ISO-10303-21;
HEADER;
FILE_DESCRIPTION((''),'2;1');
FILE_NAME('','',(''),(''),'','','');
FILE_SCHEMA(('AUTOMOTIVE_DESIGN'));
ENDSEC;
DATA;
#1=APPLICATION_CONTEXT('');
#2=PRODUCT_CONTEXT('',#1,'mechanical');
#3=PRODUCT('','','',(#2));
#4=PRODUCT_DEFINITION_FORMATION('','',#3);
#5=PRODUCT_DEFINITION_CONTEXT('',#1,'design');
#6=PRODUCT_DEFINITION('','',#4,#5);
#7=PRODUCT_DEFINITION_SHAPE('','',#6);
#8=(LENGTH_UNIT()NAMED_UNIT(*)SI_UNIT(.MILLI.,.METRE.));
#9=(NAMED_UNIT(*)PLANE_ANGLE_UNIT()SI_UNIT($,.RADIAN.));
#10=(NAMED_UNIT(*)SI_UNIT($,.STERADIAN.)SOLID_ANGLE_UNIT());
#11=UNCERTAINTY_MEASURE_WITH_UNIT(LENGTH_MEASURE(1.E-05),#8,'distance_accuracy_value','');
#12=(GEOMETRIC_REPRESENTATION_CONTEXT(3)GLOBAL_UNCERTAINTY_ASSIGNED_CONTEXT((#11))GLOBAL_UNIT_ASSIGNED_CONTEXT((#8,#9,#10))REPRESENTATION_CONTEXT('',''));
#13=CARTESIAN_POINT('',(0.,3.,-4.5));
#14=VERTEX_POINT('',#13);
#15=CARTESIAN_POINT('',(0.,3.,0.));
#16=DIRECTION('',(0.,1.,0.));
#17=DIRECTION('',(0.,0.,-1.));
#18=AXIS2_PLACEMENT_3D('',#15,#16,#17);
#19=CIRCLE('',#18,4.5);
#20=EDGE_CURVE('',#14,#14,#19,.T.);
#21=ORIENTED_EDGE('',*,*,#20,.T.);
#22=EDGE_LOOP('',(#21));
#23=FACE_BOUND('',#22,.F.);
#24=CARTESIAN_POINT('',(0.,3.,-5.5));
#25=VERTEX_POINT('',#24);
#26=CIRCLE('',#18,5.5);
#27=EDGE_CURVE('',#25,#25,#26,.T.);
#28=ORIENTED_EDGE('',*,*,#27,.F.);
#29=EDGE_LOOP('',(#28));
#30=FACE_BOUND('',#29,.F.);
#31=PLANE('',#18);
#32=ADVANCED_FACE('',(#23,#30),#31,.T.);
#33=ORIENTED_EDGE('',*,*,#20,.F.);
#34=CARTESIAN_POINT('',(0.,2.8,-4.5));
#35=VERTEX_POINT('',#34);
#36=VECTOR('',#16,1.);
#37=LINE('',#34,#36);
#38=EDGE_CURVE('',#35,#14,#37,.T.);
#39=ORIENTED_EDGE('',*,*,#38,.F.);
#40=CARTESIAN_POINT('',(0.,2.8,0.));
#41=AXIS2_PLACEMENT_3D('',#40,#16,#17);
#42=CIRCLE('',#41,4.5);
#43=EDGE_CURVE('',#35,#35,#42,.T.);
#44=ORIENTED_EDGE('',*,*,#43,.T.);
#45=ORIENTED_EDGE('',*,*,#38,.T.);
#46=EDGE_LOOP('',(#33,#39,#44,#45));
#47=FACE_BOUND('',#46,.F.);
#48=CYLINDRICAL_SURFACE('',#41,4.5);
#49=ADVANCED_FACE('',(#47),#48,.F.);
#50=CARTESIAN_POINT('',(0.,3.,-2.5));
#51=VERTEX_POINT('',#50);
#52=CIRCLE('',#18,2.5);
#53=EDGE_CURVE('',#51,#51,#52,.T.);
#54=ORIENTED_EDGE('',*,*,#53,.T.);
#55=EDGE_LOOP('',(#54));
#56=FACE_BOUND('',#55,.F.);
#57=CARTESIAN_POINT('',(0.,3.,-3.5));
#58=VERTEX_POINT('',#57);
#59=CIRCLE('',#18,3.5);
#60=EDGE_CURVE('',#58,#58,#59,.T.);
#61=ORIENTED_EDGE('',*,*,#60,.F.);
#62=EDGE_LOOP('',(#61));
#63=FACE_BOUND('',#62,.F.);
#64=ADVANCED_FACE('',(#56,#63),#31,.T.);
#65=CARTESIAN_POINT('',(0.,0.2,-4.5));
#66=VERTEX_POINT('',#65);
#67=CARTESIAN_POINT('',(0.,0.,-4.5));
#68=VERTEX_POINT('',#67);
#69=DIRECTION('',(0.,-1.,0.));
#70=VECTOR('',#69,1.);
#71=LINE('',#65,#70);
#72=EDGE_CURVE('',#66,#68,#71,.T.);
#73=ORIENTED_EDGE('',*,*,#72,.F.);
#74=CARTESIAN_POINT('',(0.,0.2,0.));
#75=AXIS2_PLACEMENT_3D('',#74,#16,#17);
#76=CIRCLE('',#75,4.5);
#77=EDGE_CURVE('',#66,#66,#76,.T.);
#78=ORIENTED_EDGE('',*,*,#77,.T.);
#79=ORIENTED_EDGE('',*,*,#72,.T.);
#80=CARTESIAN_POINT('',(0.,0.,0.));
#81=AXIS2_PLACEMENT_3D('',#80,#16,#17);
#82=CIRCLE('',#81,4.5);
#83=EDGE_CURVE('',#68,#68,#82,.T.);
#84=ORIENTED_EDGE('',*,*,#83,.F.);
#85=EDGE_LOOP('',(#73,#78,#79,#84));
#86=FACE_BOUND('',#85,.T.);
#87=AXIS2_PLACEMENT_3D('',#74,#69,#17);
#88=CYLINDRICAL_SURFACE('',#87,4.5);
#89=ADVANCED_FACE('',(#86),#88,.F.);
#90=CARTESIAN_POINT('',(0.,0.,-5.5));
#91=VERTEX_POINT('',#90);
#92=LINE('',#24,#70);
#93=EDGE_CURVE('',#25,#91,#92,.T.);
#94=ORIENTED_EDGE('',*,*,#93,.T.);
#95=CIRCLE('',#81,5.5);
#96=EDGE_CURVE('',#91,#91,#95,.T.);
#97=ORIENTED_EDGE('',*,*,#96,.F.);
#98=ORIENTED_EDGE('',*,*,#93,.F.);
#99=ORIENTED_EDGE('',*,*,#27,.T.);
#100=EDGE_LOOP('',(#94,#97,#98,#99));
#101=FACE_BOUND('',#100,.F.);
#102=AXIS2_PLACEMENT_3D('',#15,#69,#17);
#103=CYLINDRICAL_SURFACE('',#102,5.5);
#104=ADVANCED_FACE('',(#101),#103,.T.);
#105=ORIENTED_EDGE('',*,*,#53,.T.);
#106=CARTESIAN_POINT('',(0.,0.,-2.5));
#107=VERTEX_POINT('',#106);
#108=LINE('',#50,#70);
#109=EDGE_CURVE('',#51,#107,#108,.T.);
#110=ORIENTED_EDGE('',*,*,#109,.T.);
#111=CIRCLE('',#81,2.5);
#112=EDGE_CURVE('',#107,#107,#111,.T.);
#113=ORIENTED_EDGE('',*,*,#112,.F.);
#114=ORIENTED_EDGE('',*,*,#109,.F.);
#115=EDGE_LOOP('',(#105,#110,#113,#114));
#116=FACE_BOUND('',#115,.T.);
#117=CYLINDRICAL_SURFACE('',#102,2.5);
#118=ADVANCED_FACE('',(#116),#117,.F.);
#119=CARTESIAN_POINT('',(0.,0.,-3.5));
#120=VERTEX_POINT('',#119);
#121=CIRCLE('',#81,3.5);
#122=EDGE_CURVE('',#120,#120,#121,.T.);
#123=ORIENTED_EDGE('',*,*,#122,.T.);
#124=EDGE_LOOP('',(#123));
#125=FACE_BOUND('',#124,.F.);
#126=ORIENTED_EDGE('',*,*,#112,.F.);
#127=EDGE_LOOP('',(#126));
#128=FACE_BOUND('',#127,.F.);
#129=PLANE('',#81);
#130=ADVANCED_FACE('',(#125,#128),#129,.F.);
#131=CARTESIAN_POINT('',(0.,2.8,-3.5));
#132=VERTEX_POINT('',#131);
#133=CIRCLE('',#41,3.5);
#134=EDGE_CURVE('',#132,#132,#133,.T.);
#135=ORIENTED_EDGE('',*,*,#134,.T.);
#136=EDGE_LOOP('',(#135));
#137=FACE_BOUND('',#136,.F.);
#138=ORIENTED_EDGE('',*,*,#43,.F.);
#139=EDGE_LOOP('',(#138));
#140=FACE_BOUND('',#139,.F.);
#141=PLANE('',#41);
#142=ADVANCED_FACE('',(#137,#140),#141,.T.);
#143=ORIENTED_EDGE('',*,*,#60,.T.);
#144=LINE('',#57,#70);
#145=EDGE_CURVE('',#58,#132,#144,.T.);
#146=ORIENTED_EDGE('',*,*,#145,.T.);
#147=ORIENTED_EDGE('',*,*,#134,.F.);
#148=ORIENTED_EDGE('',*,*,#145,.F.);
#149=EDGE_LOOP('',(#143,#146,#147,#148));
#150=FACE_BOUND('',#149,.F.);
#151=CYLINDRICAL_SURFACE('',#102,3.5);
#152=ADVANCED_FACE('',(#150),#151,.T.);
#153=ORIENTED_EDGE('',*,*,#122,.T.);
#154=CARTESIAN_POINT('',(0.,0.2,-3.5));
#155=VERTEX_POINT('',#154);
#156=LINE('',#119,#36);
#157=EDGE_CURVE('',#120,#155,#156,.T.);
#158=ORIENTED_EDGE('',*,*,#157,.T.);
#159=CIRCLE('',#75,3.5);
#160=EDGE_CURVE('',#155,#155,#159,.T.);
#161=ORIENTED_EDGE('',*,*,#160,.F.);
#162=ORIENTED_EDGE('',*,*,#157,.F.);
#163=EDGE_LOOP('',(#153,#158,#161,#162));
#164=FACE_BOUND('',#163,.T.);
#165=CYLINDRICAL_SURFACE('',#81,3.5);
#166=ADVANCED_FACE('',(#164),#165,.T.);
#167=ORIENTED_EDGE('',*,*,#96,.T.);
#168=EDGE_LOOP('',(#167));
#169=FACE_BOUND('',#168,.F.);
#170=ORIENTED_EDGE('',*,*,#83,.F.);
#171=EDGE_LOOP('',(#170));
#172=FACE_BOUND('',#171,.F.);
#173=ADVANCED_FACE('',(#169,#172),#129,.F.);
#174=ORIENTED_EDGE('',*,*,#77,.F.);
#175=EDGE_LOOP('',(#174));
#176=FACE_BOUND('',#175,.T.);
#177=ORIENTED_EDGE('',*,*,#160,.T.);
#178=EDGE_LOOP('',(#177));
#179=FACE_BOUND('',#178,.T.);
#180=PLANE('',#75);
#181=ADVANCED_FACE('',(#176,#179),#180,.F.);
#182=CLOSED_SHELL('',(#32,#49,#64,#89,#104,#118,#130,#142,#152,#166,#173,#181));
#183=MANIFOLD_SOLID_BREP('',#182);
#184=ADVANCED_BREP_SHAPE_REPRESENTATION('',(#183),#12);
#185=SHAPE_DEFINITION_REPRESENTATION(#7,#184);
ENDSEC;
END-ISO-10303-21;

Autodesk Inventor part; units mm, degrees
ref_plane "YZ Plane" through (0, 0, 0) normal (1, 0, 0) x (0, 1, 0)
ref_plane "XZ Plane" through (0, 0, 0) normal (0, 1, 0) x (-1, 0, 0)
ref_plane "XY Plane" through (0, 0, 0) normal (0, 0, 1) x (1, 0, 0)
sketch "Sketch1" plane through (0, 0, 0) normal (1, 0, 0) x (0, 1, 0)
  line L0 (0, 0) -> (3, 0) construction
  line L1 (3, 0) -> (3, -2.5) construction
  line L2 (3, -2.5) -> (0, -2.5)
  line L3 (0, -2.5) -> (0, 0) construction
  line L4 (3, -5.5) -> (0, -5.5)
  line L5 (3, -3.5) -> (2.8, -3.5)
  line L6 (2.8, -3.5) -> (2.8, -4.5)
  line L7 (2.8, -4.5) -> (3, -4.5)
  line L8 (0, -3.5) -> (0.2, -3.5)
  line L9 (0.2, -3.5) -> (0.2, -4.5)
  line L10 (0.2, -4.5) -> (0, -4.5)
  line L11 (3, -2.5) -> (3, -3.5)
  line L12 (3, -4.5) -> (3, -5.5)
  line L13 (0, -5.5) -> (0, -4.5)
  line L14 (0, -3.5) -> (0, -2.5)
  dimension "d0" = 2.5
  dimension "d2" = 3
  dimension "d5" = 5.5
  dimension "d6" = 0.2
  dimension "d7" = 1
revolve "Revolution1" add sketch "Sketch1" angle 360 about axis through (0, 0, 0) along (0, 1, 0)
properties part number "685 bearing"
